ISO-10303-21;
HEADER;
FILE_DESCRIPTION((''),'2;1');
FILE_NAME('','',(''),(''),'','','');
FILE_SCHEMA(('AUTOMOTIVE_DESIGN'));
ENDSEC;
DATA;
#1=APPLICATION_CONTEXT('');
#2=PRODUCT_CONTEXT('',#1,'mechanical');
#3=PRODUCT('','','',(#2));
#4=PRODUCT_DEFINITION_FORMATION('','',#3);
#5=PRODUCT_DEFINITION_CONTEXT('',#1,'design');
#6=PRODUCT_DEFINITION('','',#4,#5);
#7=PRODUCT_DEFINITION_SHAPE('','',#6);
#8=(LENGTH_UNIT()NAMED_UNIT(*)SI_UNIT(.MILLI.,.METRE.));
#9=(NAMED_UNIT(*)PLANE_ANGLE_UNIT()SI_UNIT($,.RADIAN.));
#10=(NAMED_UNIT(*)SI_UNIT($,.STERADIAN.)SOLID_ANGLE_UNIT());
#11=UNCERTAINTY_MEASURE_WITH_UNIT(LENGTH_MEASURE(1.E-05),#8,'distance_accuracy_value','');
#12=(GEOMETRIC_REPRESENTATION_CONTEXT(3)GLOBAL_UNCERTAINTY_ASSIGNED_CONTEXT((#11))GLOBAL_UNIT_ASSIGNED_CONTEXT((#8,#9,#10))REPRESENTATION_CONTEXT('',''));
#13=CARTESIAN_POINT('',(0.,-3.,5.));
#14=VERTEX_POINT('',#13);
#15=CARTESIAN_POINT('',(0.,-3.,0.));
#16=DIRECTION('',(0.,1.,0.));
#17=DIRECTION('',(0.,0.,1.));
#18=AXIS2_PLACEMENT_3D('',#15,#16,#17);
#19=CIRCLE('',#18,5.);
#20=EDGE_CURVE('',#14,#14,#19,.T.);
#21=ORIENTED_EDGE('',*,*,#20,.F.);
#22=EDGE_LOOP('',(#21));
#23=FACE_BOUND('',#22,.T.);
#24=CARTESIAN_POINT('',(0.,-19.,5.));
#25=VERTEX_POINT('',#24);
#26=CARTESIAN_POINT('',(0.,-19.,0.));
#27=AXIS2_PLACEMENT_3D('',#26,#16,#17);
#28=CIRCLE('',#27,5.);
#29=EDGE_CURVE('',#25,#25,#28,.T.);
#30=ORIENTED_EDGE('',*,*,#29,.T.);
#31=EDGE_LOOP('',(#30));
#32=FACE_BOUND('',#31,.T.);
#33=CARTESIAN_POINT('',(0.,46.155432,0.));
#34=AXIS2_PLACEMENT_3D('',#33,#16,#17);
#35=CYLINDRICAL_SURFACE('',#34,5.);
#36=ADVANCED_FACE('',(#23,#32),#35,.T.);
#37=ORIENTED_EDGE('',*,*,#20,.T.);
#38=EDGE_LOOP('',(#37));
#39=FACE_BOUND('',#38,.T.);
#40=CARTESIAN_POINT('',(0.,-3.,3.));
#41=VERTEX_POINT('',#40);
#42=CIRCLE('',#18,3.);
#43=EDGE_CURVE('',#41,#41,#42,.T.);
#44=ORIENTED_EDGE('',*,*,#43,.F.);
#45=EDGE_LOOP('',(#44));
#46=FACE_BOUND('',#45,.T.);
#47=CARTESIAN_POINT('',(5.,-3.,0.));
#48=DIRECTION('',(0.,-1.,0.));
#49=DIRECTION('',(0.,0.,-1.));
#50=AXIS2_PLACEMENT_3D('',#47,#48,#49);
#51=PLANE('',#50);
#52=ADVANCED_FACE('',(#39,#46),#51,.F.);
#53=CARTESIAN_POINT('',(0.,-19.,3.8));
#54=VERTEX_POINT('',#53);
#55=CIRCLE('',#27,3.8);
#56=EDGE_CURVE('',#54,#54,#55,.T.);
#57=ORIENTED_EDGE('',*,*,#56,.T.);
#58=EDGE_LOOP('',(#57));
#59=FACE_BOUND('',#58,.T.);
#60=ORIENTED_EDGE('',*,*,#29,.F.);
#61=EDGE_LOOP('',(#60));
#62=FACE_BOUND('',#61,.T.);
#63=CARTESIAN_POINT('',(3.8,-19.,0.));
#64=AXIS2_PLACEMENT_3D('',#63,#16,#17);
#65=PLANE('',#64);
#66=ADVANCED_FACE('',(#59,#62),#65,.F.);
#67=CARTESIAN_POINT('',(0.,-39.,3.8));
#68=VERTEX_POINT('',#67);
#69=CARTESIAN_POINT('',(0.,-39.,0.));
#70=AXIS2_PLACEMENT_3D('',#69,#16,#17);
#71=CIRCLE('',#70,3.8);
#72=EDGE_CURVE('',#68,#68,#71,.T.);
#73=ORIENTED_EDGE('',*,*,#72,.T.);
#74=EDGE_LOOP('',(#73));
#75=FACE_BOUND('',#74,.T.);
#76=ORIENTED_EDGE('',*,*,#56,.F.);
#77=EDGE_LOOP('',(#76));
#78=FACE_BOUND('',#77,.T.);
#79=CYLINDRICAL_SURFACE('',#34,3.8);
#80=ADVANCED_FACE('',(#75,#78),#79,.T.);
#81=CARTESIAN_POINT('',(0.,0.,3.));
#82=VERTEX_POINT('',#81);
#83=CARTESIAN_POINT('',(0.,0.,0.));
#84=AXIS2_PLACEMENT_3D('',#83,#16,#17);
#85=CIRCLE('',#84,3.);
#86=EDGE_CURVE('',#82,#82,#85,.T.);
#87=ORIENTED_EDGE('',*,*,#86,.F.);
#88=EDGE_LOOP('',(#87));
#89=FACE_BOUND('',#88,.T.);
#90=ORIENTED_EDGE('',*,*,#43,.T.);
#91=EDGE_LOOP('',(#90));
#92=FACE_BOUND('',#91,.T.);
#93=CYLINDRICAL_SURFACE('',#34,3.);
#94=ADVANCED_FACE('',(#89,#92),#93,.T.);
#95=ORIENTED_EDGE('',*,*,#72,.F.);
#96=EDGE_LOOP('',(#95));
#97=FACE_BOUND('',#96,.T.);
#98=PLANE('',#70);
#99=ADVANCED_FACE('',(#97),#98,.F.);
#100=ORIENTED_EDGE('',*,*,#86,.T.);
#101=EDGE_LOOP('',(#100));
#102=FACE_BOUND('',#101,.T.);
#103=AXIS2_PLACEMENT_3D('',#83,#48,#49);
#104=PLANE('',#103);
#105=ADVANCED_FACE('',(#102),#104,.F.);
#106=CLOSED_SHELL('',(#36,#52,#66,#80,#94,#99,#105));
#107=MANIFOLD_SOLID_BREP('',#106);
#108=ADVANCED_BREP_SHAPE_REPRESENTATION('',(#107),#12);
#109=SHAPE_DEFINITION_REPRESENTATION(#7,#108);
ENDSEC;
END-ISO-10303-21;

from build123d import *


with BuildPart() as part:
    # 草圖1 → 旋轉1 (revolve)
    with BuildSketch(Plane.XY):
        Polygon((0, 0), (3, 0), (3, -3), (5, -3), (5, -19), (3.8, -19), (3.8, -39), (0, -39), align=None)
    revolve(axis=Axis((0, 46.155431861, 0), (0, -1, 0)))


solid = part.part
